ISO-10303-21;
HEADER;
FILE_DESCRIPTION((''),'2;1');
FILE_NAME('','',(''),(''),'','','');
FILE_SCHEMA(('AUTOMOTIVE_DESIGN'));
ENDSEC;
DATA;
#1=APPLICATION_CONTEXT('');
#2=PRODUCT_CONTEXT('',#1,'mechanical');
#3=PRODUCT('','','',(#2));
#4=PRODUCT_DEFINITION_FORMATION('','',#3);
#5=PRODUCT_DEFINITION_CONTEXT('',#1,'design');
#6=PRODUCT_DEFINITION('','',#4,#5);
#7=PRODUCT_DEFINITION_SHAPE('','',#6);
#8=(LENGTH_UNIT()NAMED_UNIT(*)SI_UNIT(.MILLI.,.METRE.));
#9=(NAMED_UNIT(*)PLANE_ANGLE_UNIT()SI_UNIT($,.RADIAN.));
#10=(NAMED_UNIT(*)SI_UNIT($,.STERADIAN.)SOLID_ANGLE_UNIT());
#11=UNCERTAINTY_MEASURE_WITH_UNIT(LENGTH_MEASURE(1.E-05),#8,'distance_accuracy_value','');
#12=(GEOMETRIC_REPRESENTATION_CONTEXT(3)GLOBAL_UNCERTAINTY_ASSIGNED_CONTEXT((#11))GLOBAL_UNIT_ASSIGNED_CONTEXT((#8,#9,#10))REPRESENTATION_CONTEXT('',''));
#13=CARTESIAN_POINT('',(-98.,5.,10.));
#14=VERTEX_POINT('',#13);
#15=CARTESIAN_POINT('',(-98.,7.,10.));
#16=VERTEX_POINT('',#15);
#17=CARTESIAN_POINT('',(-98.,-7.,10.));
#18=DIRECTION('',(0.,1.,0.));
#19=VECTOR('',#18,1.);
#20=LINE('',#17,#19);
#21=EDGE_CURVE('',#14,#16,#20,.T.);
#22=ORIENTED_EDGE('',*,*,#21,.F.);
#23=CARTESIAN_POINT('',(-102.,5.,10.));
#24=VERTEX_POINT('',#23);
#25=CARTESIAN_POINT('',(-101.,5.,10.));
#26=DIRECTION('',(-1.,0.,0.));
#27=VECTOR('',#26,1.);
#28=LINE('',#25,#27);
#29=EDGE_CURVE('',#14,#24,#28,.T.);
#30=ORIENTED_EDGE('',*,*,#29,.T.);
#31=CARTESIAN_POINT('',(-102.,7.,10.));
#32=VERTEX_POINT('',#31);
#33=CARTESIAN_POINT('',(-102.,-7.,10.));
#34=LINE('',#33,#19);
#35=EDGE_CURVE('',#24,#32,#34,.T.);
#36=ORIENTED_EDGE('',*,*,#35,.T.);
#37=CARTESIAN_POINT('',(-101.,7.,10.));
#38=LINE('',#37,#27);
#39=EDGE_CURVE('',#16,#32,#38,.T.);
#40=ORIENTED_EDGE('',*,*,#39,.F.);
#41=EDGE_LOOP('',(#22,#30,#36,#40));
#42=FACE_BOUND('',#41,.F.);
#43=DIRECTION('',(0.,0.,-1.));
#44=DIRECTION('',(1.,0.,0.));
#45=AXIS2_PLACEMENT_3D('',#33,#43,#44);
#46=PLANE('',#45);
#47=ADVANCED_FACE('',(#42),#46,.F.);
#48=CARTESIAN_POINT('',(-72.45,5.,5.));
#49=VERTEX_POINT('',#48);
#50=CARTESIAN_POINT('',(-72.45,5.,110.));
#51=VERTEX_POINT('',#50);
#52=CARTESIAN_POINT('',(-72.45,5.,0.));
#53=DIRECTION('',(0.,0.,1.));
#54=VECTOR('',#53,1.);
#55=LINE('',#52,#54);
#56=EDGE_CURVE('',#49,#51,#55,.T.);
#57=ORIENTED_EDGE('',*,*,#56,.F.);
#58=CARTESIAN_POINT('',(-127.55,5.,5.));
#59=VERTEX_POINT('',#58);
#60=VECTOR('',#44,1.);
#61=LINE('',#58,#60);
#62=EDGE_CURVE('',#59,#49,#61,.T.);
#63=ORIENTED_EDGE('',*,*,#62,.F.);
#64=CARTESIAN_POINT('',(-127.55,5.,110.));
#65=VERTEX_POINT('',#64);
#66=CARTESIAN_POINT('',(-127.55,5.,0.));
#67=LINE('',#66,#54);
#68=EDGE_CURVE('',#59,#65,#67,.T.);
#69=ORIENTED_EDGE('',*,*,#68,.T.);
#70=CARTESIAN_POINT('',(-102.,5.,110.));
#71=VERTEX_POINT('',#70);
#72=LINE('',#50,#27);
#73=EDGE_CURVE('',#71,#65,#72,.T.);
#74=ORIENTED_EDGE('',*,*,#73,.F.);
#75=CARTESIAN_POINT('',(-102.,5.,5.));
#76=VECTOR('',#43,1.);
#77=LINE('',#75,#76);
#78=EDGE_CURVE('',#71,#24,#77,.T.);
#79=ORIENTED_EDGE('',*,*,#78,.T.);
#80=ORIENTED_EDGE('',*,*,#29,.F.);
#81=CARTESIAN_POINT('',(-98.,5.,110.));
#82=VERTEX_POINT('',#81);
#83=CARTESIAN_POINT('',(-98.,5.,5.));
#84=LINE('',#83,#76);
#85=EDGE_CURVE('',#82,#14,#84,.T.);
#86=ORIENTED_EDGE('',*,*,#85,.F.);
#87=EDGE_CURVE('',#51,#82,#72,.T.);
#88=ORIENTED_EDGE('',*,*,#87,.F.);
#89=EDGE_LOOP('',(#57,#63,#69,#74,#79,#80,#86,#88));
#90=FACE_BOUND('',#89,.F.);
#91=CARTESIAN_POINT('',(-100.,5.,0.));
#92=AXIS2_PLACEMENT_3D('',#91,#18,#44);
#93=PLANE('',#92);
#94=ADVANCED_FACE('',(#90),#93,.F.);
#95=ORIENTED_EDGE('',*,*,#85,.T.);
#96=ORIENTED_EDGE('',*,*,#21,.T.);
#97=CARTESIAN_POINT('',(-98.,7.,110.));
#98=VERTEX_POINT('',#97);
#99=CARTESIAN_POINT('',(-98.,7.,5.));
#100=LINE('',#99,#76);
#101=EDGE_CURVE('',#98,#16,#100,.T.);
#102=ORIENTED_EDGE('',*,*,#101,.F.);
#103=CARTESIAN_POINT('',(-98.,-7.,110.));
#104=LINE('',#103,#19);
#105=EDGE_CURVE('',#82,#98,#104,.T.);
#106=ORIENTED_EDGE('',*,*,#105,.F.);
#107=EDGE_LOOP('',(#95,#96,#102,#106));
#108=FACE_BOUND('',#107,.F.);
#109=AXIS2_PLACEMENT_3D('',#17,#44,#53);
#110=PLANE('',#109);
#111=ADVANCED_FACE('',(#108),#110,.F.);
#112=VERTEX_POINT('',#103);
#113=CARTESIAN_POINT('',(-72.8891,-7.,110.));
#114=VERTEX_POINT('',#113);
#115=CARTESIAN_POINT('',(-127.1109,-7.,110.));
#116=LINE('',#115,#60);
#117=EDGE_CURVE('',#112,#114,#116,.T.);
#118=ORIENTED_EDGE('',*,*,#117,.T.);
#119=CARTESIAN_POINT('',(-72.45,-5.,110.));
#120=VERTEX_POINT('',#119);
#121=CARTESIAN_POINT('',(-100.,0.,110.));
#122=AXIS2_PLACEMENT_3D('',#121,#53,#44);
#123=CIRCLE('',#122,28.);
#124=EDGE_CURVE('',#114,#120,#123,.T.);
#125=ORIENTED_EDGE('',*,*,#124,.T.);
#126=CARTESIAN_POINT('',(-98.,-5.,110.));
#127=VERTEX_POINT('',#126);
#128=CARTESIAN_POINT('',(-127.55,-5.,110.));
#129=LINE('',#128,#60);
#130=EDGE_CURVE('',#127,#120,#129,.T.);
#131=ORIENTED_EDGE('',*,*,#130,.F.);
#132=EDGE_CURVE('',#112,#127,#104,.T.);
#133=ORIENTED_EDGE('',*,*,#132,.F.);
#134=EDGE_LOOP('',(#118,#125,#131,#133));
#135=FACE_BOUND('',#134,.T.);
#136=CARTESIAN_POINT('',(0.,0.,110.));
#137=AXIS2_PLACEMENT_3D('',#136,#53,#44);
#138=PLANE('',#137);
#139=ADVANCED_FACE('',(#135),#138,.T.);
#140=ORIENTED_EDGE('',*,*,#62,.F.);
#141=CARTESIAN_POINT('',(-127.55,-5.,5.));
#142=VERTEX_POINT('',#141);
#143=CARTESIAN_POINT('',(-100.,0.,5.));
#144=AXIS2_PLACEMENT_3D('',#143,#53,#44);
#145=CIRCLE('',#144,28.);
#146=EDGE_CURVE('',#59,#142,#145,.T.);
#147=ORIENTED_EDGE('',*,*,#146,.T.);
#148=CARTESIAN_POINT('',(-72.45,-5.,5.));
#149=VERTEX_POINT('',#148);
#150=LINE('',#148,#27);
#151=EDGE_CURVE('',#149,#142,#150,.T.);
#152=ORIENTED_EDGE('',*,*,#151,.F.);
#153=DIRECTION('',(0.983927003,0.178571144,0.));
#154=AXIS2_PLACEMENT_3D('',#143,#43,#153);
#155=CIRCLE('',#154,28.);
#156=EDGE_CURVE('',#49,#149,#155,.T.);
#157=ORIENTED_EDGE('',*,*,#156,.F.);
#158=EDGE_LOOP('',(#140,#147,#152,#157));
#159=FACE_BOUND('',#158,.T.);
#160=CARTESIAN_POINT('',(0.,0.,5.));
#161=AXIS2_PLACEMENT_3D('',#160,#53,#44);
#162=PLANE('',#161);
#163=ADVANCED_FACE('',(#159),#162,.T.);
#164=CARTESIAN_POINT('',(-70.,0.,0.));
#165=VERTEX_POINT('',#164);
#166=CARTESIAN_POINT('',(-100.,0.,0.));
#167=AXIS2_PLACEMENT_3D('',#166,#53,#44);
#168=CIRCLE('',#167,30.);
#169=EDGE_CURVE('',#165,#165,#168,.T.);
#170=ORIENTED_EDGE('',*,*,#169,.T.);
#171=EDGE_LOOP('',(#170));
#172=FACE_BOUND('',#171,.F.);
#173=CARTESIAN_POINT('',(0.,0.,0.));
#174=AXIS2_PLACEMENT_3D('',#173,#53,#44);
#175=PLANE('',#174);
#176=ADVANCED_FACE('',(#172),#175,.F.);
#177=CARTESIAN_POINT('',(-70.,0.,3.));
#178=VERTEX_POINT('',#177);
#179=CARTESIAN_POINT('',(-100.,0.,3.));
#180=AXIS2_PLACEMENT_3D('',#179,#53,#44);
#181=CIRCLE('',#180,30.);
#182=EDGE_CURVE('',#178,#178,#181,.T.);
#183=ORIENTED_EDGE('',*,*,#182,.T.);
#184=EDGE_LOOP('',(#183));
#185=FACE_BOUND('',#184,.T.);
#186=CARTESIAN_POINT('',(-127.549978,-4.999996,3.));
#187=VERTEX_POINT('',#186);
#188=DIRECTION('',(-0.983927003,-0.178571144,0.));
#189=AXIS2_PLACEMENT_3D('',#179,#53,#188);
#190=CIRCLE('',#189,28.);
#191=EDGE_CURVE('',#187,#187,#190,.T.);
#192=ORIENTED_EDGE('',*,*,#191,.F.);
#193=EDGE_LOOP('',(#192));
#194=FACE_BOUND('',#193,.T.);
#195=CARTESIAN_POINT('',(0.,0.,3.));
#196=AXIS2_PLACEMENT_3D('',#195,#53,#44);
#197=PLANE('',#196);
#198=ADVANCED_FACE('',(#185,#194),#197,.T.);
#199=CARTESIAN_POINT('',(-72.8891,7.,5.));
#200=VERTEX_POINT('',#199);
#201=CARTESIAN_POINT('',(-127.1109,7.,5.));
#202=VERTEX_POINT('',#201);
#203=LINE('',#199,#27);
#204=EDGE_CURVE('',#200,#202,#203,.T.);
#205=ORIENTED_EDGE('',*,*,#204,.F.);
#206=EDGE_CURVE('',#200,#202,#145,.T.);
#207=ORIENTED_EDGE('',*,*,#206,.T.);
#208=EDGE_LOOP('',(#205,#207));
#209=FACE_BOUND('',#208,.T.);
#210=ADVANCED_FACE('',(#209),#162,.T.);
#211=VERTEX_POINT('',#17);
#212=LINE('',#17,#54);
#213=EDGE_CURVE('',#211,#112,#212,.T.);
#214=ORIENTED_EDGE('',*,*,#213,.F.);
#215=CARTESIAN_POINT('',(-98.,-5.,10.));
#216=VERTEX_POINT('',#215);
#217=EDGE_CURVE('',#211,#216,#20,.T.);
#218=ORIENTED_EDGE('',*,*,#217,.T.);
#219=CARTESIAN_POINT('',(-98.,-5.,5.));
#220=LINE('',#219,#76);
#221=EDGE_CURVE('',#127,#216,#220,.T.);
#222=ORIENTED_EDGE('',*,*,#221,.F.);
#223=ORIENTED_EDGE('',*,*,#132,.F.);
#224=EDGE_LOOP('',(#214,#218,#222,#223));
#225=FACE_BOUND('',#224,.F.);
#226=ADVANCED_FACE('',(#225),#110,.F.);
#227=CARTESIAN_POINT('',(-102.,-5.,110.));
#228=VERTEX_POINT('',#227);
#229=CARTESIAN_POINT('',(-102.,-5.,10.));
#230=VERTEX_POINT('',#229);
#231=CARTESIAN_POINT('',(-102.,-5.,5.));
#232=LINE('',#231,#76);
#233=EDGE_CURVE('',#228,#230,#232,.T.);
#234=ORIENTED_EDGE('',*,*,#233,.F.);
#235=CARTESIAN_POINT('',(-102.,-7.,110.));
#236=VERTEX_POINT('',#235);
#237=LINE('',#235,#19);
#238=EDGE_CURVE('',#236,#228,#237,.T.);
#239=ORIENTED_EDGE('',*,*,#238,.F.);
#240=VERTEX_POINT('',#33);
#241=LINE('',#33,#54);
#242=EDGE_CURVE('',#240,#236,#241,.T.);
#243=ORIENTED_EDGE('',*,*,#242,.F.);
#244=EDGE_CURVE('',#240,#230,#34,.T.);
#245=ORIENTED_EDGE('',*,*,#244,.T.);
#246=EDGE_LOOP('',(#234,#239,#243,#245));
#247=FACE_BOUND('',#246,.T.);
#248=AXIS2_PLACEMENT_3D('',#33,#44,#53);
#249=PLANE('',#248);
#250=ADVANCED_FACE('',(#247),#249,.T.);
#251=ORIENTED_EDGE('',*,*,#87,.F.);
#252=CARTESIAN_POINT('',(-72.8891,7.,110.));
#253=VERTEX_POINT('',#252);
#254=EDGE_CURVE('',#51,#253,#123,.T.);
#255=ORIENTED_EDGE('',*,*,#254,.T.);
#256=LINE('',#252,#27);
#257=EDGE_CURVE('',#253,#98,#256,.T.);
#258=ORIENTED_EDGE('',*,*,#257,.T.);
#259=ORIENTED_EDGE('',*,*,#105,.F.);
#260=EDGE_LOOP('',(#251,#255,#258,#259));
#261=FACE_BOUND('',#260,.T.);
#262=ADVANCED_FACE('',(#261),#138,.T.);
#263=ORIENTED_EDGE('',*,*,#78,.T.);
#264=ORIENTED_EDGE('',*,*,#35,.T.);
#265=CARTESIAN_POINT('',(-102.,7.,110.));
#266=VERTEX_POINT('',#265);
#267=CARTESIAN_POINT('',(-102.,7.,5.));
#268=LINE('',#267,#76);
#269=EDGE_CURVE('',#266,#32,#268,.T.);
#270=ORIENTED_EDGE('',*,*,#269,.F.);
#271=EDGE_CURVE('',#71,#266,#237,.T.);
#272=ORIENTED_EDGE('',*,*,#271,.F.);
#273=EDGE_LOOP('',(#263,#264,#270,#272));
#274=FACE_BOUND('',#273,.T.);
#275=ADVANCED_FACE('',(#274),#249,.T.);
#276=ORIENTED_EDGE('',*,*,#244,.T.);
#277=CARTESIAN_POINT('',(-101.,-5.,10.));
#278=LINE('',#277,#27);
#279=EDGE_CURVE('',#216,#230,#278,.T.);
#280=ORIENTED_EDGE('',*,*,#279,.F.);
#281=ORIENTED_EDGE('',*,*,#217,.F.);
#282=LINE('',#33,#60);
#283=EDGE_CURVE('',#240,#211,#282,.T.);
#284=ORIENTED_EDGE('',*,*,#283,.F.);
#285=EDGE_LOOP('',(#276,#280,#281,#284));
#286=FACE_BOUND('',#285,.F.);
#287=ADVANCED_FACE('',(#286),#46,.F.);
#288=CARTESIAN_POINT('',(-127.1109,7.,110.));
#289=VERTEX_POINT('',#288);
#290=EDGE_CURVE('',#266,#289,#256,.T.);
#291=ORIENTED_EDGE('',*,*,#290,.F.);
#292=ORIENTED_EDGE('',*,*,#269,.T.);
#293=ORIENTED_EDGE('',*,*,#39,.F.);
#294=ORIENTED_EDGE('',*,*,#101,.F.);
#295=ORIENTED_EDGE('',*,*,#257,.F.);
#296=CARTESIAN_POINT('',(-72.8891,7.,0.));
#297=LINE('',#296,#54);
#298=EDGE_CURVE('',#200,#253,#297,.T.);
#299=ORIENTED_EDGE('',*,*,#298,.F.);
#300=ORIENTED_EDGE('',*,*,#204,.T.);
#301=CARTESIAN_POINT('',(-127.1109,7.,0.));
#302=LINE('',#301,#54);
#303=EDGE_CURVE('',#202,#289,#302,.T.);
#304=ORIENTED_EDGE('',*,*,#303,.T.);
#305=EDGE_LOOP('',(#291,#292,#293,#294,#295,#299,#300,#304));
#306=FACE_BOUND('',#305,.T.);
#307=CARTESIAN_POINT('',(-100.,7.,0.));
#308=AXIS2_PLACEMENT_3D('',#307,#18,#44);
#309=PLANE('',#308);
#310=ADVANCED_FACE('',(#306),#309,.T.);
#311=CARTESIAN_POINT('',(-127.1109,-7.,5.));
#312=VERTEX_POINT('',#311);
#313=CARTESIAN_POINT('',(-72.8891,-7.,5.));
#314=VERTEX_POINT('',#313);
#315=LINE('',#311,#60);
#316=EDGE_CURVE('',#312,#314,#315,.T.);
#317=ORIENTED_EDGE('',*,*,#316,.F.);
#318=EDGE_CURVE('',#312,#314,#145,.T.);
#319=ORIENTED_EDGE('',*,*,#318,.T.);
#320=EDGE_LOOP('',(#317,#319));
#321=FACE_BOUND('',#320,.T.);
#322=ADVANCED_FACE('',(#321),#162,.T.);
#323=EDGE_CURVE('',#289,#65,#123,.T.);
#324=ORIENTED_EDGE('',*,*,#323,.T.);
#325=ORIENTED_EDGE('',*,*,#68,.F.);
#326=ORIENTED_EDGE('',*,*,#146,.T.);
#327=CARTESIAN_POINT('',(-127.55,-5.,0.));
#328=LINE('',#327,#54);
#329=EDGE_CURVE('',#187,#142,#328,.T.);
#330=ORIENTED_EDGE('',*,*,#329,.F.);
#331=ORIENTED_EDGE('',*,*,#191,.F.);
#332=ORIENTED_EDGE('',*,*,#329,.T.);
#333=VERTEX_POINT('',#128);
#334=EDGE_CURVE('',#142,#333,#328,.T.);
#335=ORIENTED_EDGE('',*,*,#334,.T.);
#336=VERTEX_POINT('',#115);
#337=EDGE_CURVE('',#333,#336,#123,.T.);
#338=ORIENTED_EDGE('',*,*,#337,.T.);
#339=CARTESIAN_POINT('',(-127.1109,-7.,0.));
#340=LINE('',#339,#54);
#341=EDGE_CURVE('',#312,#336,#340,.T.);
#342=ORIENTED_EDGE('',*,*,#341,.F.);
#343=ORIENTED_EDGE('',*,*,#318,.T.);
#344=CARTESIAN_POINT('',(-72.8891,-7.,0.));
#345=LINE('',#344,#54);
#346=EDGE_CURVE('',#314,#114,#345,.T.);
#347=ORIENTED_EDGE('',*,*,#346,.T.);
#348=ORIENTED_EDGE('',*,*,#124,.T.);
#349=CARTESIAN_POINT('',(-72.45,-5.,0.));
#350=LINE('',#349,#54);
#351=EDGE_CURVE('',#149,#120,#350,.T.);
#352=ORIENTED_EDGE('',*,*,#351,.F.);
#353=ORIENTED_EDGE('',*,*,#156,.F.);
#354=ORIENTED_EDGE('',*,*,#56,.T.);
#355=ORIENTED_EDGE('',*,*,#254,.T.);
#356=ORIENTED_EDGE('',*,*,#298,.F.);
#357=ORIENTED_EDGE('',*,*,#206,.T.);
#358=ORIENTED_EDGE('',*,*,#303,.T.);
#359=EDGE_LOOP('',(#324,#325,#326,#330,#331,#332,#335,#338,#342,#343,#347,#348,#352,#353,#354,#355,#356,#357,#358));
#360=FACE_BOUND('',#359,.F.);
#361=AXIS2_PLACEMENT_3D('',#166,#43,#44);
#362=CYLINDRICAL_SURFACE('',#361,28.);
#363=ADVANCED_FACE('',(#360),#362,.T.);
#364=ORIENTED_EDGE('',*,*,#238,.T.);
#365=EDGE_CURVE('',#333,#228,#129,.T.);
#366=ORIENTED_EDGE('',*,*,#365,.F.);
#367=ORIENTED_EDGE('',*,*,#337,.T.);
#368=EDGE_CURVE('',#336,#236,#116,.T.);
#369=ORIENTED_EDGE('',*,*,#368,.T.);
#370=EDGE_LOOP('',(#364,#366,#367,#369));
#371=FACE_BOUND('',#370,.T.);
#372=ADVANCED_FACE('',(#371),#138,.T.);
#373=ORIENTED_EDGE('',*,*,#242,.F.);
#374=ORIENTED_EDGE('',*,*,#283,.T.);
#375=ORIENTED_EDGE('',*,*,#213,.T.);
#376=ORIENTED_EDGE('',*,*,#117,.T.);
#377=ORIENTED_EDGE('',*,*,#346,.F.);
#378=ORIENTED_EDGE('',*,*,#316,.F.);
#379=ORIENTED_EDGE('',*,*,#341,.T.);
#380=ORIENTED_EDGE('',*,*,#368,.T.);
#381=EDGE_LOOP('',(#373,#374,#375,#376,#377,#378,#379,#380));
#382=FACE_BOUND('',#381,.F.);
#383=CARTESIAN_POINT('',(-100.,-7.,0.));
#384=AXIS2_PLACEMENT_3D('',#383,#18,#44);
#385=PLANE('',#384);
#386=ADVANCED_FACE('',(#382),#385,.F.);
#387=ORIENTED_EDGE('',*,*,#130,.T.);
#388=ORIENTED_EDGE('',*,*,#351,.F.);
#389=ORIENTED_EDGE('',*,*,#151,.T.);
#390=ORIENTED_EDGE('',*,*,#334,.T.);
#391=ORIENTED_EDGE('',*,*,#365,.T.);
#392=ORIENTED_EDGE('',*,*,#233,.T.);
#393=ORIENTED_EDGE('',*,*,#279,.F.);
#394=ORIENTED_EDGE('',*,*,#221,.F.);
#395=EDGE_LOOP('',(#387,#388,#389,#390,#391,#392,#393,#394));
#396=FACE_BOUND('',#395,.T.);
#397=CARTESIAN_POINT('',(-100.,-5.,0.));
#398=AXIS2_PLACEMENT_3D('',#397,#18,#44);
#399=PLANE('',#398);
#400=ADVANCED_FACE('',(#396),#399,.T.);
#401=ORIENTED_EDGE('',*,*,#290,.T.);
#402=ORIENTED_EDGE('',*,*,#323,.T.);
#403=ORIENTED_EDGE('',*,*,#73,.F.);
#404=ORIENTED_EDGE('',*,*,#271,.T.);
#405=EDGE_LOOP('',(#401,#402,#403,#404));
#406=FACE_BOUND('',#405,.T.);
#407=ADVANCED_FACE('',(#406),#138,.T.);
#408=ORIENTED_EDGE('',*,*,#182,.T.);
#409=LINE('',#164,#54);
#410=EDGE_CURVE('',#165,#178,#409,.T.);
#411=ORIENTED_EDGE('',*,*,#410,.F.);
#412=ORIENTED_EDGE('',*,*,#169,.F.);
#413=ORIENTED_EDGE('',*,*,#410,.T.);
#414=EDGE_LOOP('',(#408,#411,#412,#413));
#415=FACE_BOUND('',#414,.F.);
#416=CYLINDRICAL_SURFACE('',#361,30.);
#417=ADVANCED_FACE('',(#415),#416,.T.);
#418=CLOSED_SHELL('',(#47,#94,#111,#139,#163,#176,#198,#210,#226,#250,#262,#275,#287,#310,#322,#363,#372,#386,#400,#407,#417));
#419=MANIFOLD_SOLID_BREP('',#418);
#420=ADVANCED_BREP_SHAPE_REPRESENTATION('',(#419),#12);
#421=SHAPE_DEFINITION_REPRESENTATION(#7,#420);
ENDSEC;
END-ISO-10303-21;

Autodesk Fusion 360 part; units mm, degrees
sketch "Base" plane through (0, 0, 0) normal (0, 0, 1) x (1, 0, 0)
  circle A0 centre (0, 0) radius 30
  circle A1 centre (0, 0) radius 28
  dimension "d1" = 60
  dimension "d2" = 56
extrude "Extrude1" add sketch "Base" along normal blind 2 contours A1 makes body 1
extrude "Extrude2" add sketch "Base" along normal blind 113 bodies 1
sketch "Sketch2" plane through (0, 0, 0) normal (0, 0, 1) x (1, 0, 0)
  circle A0 centre (0, 0) radius 28
  line L0 (0, -2) -> (27.9285, -2)
  line L1 (-27.9285, -2) -> (0, -2)
  line L2 (0, 2) -> (-27.9285, 2)
  line L3 (27.9285, 2) -> (0, 2)
  circle A1 centre (0, 0) radius 30
extrude "Extrude3" add sketch "Sketch2" along normal blind 3 separate body makes body 2
extrude "Extrude4" add sketch "Sketch2" along normal blind 5 contours A0 L0 L1 bodies 2
extrude "Extrude5" add sketch "Sketch2" along normal blind 5 contours A0 L2 L3 bodies 2
extrude "Extrude6" add sketch "Sketch2" along normal blind 110 contours A0 L0 L1 L2 L3 bodies 2
sketch "Sketch6" plane through (0, 2, 0) normal (0, 1, 0) x (-1, 0, 0)
  line L0 (-27.9285, 5) -> (27.9285, 5)
  line L1 (27.9285, 5) -> (27.9285, 110)
  line L2 (27.9285, 110) -> (-27.9285, 110)
  line L3 (-27.9285, 110) -> (-27.9285, 5)
  line L4 (-2.5, 7.5) -> (2.5, 7.5)
  line L5 (2.5, 7.5) -> (2.5, 110)
  line L6 (-2.5, 110) -> (2.5, 110)
  line L7 (-2.5, 110) -> (-2.5, 7.5)
  dimension "d15" = 102.5
  dimension "d16" = 5
extrude "Extrude7" cut sketch "Sketch6" against normal blind 4 contours L2 L4 L5 L6 L7 bodies 2
sketch "Sketch7" plane through (0, 0, 0) normal (0, 0, 1) x (1, 0, 0)
  circle A0 centre (-100, 0) radius 30
  circle A1 centre (-100, 0) radius 28
  line L0 (-100, 5) -> (-72.45, 5)
  line L1 (-100, -5) -> (-72.45, -5)
  line L2 (-100, -5) -> (-127.55, -5)
  line L3 (-100, 5) -> (-127.55, 5)
  line L4 (-100, -7) -> (-72.8891, -7)
  line L5 (-100, -7) -> (-127.1109, -7)
  line L6 (-100, 7) -> (-72.8891, 7)
  line L7 (-100, 7) -> (-127.1109, 7)
extrude "Extrude8" add sketch "Sketch7" along normal blind 3 separate body makes body 3
extrude "Extrude9" add sketch "Sketch7" along normal blind 5 contours A1 L6 L7 bodies 3
extrude "Extrude10" add sketch "Sketch7" along normal blind 5 contours A1 L0 L1 L2 L3 bodies 3
extrude "Extrude11" add sketch "Sketch7" along normal blind 5 contours A1 L4 L5 bodies 3
extrude "Extrude12" add sketch "Sketch7" along normal blind 110 contours A1 L0 L3 L6 L7 bodies 3
extrude "Extrude13" add sketch "Sketch7" along normal blind 110 contours A1 L1 L2 L4 L5 bodies 3
sketch "Sketch8" plane through (0, -7, 0) normal (0, -1, 0) x (1, 0, 0)
  line L0 (-127.1109, 5) -> (-72.8891, 5)
  line L1 (-72.8891, 5) -> (-72.8891, 110)
  line L2 (-72.8891, 110) -> (-127.1109, 110)
  line L3 (-127.1109, 110) -> (-127.1109, 5)
  line L4 (-102, 10) -> (-98, 10)
  line L5 (-98, 10) -> (-98, 110)
  line L6 (-102, 10) -> (-102, 110)
extrude "Extrude14" cut sketch "Sketch8" against normal blind 200 contours L2 L4 L5 L6 bodies 3
hidden bodies 1 2
